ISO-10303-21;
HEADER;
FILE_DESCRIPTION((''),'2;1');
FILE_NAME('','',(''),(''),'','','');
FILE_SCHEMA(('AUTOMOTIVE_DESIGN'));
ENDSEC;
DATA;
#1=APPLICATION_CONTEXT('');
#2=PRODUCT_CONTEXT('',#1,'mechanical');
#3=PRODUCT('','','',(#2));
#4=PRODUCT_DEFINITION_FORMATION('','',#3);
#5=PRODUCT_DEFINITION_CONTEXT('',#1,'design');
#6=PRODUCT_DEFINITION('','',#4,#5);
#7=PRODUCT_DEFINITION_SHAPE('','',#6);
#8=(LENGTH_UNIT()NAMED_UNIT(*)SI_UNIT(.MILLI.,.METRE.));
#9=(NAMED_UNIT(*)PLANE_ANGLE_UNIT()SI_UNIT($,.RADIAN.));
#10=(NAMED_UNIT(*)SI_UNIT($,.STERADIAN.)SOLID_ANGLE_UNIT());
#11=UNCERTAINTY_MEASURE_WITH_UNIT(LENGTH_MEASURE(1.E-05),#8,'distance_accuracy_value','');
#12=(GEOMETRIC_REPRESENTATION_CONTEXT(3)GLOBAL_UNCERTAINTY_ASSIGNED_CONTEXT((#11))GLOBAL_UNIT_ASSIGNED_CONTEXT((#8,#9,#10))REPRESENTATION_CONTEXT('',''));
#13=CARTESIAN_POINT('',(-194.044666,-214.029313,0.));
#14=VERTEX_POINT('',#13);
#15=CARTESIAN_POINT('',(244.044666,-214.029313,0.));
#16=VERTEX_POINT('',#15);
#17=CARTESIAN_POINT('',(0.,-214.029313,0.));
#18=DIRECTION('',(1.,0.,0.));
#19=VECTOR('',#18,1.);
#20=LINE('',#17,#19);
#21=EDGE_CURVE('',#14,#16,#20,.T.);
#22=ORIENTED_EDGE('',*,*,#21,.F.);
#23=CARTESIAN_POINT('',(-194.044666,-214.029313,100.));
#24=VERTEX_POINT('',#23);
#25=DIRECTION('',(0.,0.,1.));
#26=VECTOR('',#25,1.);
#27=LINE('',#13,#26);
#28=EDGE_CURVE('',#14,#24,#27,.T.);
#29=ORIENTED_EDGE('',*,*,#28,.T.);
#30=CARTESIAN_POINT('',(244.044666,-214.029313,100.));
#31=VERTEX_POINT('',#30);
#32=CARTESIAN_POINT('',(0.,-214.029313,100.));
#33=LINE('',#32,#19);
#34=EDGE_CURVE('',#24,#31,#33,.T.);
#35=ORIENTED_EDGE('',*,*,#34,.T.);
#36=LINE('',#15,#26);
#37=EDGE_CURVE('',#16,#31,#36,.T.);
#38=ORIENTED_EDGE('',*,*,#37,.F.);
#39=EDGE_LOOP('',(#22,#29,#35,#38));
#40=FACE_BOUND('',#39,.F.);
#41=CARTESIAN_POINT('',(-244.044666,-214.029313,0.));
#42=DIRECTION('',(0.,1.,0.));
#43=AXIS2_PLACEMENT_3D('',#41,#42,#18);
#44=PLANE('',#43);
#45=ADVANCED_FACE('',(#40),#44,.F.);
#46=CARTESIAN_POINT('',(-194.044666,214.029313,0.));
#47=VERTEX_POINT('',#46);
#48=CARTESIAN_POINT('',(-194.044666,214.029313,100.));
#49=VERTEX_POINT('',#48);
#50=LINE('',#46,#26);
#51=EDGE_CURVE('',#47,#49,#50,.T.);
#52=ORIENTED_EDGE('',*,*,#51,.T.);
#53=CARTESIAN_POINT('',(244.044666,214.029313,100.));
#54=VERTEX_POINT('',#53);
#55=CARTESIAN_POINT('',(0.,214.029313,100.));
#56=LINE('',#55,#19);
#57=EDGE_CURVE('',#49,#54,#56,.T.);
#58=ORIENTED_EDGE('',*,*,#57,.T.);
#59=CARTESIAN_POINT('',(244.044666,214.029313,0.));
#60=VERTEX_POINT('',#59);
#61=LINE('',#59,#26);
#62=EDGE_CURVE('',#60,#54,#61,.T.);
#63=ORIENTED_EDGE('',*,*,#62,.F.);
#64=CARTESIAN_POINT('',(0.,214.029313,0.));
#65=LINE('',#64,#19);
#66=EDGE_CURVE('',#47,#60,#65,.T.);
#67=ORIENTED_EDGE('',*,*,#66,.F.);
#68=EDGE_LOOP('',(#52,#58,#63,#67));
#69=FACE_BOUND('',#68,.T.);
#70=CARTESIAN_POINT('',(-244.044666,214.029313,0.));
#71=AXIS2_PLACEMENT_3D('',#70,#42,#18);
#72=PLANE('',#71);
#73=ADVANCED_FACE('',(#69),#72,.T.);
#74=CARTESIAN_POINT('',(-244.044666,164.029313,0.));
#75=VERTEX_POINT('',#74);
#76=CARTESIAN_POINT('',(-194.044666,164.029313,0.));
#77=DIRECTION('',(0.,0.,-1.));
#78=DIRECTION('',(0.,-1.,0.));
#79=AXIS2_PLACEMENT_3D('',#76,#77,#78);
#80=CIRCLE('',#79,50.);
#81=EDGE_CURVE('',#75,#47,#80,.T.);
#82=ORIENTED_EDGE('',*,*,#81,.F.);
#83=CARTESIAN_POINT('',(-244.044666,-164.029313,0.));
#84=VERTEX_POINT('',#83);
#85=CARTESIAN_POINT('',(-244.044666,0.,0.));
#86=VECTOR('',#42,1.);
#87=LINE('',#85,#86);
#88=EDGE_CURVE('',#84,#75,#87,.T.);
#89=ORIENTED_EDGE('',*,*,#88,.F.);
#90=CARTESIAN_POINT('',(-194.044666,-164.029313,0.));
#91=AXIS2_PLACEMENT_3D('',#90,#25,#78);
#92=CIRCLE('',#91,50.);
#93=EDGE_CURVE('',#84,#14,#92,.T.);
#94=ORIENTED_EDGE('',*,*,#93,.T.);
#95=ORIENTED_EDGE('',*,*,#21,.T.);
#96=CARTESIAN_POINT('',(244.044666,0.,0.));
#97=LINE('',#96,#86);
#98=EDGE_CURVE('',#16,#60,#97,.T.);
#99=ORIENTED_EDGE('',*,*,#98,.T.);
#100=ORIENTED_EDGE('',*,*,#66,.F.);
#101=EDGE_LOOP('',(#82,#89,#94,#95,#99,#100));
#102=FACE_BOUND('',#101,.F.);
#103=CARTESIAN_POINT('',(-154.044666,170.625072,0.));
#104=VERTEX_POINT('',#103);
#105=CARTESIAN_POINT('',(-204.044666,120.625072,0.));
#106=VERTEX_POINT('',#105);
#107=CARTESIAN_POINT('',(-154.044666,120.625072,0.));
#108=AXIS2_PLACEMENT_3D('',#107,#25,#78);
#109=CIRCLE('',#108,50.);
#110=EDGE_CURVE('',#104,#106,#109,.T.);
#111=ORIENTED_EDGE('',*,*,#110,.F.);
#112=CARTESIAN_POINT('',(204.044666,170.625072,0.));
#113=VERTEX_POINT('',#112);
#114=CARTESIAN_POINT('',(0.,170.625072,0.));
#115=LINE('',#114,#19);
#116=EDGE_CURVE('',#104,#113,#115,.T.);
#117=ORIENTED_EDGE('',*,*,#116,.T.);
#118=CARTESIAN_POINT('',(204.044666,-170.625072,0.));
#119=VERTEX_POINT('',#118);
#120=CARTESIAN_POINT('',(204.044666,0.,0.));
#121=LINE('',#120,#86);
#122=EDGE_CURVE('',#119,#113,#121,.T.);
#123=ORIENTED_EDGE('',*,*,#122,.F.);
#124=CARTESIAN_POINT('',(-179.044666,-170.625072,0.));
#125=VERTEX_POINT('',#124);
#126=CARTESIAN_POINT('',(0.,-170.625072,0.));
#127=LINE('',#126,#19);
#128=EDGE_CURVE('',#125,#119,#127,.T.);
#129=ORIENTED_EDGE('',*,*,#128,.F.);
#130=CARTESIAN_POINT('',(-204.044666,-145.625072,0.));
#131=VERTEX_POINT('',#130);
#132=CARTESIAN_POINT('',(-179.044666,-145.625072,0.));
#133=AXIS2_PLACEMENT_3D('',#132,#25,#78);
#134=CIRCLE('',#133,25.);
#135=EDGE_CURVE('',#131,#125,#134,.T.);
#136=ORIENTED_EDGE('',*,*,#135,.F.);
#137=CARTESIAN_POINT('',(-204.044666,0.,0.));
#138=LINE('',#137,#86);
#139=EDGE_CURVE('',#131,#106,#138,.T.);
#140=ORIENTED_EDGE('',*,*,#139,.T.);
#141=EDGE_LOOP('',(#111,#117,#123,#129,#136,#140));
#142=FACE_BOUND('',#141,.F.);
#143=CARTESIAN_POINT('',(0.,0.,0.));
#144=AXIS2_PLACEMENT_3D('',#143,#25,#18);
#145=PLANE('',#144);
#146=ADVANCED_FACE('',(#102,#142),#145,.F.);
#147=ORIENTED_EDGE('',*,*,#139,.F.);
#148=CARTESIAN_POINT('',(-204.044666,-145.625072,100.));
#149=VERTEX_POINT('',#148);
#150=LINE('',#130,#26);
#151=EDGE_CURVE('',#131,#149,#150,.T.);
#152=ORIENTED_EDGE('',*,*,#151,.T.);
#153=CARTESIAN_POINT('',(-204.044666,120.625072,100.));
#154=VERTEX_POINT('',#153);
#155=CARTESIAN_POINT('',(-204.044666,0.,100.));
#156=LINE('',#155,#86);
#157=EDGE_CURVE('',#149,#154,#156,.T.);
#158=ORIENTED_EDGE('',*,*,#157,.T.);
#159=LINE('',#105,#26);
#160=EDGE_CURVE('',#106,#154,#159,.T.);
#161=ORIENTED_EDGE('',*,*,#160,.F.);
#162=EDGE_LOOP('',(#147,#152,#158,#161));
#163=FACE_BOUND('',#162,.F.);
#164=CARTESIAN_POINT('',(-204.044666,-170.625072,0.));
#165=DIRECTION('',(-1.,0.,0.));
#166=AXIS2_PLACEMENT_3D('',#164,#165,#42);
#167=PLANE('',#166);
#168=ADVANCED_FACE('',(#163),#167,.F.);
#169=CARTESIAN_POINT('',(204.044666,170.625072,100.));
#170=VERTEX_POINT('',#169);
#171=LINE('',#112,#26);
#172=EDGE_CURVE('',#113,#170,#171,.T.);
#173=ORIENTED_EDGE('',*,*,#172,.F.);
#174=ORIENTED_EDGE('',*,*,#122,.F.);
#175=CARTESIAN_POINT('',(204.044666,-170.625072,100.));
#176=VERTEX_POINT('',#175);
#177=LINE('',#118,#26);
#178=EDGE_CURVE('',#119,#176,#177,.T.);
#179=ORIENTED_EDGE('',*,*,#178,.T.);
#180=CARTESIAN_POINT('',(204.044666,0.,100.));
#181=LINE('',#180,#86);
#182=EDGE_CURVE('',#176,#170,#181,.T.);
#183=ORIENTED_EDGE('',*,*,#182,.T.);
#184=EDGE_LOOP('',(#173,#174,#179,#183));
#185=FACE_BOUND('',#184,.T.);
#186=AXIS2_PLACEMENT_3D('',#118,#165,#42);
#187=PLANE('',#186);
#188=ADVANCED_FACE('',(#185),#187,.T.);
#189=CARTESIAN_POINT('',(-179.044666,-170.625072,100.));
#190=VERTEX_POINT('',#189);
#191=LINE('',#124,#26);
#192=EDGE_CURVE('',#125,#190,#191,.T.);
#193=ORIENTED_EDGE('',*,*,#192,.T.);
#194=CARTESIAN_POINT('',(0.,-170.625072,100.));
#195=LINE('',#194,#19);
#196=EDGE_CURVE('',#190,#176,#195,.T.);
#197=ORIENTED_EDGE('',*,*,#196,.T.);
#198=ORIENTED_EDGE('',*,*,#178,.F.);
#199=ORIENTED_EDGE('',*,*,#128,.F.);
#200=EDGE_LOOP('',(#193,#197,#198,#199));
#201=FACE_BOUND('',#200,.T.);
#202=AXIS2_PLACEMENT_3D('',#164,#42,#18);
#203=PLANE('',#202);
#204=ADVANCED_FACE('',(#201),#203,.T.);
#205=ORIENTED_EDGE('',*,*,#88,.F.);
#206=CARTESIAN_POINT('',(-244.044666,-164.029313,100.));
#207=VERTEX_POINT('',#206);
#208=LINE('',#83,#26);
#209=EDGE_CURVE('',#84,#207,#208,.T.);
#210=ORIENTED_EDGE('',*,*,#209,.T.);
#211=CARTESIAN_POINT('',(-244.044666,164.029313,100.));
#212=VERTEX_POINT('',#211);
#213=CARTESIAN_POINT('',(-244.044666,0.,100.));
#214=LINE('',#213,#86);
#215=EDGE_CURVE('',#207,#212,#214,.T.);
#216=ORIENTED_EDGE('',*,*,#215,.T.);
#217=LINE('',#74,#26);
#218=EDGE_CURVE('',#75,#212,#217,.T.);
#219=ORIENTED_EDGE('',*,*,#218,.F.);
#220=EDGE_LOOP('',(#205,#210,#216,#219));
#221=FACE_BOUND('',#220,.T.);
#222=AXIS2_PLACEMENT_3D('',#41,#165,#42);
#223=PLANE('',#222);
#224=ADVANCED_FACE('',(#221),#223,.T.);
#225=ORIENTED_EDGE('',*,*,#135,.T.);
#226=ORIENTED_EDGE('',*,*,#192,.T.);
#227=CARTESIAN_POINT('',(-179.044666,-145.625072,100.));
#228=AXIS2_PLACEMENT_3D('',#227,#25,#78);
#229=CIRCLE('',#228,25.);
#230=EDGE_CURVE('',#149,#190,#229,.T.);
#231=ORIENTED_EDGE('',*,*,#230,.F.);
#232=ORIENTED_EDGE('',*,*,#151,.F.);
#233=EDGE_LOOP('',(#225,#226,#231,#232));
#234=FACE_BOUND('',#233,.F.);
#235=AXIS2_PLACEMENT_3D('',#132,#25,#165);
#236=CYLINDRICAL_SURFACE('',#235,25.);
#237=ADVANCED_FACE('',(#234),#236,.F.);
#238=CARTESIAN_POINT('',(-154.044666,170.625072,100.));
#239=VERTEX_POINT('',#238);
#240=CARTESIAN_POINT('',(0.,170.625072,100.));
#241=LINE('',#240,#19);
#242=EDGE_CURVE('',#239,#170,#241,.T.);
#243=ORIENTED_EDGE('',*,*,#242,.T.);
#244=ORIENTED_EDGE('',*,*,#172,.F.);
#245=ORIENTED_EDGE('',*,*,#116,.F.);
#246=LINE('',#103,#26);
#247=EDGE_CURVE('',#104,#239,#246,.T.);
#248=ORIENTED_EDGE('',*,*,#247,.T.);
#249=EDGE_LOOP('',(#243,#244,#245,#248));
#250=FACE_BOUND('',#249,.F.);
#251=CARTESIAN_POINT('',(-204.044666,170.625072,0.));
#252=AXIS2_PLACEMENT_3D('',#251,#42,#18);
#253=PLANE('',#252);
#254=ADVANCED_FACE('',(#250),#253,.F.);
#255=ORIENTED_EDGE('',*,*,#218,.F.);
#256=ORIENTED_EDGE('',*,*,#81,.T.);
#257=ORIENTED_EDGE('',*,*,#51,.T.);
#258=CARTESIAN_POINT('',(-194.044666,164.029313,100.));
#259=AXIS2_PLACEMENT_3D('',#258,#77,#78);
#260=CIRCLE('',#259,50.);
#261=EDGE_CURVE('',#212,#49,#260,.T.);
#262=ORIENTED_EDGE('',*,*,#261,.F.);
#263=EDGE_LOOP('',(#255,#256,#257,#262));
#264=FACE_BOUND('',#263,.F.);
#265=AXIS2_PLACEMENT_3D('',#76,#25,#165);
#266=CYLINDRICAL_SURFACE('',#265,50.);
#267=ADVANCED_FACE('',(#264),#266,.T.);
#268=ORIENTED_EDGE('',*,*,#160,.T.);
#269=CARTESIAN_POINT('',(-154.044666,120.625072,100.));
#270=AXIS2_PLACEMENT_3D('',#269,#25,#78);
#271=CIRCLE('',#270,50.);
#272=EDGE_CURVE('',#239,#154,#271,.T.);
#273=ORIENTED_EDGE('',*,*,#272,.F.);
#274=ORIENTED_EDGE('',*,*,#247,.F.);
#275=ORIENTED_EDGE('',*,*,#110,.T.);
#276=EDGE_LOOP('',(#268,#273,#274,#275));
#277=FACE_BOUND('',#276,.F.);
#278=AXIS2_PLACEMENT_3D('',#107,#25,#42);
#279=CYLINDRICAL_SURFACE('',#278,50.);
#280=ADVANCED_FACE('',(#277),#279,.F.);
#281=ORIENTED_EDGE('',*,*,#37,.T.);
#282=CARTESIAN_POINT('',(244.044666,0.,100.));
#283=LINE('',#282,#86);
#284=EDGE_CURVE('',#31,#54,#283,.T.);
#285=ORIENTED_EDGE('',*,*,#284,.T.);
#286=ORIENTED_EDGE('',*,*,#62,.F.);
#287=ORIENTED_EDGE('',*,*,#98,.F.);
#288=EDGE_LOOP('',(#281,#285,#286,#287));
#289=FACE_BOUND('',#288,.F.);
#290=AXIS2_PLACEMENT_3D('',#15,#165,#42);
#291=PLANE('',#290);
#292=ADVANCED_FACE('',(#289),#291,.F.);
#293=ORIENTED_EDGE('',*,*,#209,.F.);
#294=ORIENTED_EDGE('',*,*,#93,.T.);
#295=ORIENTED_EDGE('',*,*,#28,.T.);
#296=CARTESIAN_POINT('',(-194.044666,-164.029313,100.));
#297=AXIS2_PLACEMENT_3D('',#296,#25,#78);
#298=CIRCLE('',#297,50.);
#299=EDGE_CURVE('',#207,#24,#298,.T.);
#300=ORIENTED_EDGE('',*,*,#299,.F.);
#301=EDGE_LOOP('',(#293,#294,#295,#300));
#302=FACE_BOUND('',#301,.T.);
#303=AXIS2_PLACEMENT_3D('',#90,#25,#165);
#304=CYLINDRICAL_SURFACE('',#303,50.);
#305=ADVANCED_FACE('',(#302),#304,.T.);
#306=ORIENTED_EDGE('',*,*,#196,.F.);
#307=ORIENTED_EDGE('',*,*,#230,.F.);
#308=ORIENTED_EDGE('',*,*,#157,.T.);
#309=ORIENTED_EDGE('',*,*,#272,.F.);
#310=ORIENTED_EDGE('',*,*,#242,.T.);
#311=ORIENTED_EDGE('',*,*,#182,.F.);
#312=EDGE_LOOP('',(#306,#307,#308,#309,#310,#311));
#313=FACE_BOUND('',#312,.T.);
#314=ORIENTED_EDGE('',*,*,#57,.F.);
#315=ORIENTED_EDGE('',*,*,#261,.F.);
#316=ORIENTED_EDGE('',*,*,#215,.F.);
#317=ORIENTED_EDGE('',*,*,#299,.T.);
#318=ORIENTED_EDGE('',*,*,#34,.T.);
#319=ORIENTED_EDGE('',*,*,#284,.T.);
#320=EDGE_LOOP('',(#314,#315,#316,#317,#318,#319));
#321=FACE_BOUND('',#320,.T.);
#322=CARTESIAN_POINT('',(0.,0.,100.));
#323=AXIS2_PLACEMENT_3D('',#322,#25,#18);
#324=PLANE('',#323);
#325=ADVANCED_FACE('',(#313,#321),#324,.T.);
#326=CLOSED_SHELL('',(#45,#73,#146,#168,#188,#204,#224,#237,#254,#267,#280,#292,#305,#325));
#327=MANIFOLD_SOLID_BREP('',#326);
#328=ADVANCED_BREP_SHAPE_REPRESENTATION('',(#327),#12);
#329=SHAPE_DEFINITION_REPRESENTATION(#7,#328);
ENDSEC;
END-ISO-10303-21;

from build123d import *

# Parameters (mm, degrees)
F0_W     = 488.089332
F0_H     = 428.058626
F0_W_2   = 408.089332
F0_H_2   = 341.250144
F1_DEPTH = 100
F2_R     = 50
F3_R     = 25


with BuildPart() as f1:
    # F0 (on Top) → F1 (new body)
    with BuildSketch(Plane.XY):
        Rectangle(F0_W, F0_H)
        Rectangle(F0_W_2, F0_H_2, mode=Mode.SUBTRACT)
    extrude(amount=F1_DEPTH)

    # F2
    f2_edges = [f1.edges().sort_by_distance(p)[0] for p in [
        (-244.044666, 214.029313, 50),
        (-244.044666, -214.029313, 50),
        (-204.044666, 170.625072, 50),
    ]]
    fillet(f2_edges, radius=F2_R)

    # F3
    f3_edges = [f1.edges().sort_by_distance(p)[0] for p in [
        (-204.044666, -170.625072, 50),
    ]]
    fillet(f3_edges, radius=F3_R)


solid = f1.part
